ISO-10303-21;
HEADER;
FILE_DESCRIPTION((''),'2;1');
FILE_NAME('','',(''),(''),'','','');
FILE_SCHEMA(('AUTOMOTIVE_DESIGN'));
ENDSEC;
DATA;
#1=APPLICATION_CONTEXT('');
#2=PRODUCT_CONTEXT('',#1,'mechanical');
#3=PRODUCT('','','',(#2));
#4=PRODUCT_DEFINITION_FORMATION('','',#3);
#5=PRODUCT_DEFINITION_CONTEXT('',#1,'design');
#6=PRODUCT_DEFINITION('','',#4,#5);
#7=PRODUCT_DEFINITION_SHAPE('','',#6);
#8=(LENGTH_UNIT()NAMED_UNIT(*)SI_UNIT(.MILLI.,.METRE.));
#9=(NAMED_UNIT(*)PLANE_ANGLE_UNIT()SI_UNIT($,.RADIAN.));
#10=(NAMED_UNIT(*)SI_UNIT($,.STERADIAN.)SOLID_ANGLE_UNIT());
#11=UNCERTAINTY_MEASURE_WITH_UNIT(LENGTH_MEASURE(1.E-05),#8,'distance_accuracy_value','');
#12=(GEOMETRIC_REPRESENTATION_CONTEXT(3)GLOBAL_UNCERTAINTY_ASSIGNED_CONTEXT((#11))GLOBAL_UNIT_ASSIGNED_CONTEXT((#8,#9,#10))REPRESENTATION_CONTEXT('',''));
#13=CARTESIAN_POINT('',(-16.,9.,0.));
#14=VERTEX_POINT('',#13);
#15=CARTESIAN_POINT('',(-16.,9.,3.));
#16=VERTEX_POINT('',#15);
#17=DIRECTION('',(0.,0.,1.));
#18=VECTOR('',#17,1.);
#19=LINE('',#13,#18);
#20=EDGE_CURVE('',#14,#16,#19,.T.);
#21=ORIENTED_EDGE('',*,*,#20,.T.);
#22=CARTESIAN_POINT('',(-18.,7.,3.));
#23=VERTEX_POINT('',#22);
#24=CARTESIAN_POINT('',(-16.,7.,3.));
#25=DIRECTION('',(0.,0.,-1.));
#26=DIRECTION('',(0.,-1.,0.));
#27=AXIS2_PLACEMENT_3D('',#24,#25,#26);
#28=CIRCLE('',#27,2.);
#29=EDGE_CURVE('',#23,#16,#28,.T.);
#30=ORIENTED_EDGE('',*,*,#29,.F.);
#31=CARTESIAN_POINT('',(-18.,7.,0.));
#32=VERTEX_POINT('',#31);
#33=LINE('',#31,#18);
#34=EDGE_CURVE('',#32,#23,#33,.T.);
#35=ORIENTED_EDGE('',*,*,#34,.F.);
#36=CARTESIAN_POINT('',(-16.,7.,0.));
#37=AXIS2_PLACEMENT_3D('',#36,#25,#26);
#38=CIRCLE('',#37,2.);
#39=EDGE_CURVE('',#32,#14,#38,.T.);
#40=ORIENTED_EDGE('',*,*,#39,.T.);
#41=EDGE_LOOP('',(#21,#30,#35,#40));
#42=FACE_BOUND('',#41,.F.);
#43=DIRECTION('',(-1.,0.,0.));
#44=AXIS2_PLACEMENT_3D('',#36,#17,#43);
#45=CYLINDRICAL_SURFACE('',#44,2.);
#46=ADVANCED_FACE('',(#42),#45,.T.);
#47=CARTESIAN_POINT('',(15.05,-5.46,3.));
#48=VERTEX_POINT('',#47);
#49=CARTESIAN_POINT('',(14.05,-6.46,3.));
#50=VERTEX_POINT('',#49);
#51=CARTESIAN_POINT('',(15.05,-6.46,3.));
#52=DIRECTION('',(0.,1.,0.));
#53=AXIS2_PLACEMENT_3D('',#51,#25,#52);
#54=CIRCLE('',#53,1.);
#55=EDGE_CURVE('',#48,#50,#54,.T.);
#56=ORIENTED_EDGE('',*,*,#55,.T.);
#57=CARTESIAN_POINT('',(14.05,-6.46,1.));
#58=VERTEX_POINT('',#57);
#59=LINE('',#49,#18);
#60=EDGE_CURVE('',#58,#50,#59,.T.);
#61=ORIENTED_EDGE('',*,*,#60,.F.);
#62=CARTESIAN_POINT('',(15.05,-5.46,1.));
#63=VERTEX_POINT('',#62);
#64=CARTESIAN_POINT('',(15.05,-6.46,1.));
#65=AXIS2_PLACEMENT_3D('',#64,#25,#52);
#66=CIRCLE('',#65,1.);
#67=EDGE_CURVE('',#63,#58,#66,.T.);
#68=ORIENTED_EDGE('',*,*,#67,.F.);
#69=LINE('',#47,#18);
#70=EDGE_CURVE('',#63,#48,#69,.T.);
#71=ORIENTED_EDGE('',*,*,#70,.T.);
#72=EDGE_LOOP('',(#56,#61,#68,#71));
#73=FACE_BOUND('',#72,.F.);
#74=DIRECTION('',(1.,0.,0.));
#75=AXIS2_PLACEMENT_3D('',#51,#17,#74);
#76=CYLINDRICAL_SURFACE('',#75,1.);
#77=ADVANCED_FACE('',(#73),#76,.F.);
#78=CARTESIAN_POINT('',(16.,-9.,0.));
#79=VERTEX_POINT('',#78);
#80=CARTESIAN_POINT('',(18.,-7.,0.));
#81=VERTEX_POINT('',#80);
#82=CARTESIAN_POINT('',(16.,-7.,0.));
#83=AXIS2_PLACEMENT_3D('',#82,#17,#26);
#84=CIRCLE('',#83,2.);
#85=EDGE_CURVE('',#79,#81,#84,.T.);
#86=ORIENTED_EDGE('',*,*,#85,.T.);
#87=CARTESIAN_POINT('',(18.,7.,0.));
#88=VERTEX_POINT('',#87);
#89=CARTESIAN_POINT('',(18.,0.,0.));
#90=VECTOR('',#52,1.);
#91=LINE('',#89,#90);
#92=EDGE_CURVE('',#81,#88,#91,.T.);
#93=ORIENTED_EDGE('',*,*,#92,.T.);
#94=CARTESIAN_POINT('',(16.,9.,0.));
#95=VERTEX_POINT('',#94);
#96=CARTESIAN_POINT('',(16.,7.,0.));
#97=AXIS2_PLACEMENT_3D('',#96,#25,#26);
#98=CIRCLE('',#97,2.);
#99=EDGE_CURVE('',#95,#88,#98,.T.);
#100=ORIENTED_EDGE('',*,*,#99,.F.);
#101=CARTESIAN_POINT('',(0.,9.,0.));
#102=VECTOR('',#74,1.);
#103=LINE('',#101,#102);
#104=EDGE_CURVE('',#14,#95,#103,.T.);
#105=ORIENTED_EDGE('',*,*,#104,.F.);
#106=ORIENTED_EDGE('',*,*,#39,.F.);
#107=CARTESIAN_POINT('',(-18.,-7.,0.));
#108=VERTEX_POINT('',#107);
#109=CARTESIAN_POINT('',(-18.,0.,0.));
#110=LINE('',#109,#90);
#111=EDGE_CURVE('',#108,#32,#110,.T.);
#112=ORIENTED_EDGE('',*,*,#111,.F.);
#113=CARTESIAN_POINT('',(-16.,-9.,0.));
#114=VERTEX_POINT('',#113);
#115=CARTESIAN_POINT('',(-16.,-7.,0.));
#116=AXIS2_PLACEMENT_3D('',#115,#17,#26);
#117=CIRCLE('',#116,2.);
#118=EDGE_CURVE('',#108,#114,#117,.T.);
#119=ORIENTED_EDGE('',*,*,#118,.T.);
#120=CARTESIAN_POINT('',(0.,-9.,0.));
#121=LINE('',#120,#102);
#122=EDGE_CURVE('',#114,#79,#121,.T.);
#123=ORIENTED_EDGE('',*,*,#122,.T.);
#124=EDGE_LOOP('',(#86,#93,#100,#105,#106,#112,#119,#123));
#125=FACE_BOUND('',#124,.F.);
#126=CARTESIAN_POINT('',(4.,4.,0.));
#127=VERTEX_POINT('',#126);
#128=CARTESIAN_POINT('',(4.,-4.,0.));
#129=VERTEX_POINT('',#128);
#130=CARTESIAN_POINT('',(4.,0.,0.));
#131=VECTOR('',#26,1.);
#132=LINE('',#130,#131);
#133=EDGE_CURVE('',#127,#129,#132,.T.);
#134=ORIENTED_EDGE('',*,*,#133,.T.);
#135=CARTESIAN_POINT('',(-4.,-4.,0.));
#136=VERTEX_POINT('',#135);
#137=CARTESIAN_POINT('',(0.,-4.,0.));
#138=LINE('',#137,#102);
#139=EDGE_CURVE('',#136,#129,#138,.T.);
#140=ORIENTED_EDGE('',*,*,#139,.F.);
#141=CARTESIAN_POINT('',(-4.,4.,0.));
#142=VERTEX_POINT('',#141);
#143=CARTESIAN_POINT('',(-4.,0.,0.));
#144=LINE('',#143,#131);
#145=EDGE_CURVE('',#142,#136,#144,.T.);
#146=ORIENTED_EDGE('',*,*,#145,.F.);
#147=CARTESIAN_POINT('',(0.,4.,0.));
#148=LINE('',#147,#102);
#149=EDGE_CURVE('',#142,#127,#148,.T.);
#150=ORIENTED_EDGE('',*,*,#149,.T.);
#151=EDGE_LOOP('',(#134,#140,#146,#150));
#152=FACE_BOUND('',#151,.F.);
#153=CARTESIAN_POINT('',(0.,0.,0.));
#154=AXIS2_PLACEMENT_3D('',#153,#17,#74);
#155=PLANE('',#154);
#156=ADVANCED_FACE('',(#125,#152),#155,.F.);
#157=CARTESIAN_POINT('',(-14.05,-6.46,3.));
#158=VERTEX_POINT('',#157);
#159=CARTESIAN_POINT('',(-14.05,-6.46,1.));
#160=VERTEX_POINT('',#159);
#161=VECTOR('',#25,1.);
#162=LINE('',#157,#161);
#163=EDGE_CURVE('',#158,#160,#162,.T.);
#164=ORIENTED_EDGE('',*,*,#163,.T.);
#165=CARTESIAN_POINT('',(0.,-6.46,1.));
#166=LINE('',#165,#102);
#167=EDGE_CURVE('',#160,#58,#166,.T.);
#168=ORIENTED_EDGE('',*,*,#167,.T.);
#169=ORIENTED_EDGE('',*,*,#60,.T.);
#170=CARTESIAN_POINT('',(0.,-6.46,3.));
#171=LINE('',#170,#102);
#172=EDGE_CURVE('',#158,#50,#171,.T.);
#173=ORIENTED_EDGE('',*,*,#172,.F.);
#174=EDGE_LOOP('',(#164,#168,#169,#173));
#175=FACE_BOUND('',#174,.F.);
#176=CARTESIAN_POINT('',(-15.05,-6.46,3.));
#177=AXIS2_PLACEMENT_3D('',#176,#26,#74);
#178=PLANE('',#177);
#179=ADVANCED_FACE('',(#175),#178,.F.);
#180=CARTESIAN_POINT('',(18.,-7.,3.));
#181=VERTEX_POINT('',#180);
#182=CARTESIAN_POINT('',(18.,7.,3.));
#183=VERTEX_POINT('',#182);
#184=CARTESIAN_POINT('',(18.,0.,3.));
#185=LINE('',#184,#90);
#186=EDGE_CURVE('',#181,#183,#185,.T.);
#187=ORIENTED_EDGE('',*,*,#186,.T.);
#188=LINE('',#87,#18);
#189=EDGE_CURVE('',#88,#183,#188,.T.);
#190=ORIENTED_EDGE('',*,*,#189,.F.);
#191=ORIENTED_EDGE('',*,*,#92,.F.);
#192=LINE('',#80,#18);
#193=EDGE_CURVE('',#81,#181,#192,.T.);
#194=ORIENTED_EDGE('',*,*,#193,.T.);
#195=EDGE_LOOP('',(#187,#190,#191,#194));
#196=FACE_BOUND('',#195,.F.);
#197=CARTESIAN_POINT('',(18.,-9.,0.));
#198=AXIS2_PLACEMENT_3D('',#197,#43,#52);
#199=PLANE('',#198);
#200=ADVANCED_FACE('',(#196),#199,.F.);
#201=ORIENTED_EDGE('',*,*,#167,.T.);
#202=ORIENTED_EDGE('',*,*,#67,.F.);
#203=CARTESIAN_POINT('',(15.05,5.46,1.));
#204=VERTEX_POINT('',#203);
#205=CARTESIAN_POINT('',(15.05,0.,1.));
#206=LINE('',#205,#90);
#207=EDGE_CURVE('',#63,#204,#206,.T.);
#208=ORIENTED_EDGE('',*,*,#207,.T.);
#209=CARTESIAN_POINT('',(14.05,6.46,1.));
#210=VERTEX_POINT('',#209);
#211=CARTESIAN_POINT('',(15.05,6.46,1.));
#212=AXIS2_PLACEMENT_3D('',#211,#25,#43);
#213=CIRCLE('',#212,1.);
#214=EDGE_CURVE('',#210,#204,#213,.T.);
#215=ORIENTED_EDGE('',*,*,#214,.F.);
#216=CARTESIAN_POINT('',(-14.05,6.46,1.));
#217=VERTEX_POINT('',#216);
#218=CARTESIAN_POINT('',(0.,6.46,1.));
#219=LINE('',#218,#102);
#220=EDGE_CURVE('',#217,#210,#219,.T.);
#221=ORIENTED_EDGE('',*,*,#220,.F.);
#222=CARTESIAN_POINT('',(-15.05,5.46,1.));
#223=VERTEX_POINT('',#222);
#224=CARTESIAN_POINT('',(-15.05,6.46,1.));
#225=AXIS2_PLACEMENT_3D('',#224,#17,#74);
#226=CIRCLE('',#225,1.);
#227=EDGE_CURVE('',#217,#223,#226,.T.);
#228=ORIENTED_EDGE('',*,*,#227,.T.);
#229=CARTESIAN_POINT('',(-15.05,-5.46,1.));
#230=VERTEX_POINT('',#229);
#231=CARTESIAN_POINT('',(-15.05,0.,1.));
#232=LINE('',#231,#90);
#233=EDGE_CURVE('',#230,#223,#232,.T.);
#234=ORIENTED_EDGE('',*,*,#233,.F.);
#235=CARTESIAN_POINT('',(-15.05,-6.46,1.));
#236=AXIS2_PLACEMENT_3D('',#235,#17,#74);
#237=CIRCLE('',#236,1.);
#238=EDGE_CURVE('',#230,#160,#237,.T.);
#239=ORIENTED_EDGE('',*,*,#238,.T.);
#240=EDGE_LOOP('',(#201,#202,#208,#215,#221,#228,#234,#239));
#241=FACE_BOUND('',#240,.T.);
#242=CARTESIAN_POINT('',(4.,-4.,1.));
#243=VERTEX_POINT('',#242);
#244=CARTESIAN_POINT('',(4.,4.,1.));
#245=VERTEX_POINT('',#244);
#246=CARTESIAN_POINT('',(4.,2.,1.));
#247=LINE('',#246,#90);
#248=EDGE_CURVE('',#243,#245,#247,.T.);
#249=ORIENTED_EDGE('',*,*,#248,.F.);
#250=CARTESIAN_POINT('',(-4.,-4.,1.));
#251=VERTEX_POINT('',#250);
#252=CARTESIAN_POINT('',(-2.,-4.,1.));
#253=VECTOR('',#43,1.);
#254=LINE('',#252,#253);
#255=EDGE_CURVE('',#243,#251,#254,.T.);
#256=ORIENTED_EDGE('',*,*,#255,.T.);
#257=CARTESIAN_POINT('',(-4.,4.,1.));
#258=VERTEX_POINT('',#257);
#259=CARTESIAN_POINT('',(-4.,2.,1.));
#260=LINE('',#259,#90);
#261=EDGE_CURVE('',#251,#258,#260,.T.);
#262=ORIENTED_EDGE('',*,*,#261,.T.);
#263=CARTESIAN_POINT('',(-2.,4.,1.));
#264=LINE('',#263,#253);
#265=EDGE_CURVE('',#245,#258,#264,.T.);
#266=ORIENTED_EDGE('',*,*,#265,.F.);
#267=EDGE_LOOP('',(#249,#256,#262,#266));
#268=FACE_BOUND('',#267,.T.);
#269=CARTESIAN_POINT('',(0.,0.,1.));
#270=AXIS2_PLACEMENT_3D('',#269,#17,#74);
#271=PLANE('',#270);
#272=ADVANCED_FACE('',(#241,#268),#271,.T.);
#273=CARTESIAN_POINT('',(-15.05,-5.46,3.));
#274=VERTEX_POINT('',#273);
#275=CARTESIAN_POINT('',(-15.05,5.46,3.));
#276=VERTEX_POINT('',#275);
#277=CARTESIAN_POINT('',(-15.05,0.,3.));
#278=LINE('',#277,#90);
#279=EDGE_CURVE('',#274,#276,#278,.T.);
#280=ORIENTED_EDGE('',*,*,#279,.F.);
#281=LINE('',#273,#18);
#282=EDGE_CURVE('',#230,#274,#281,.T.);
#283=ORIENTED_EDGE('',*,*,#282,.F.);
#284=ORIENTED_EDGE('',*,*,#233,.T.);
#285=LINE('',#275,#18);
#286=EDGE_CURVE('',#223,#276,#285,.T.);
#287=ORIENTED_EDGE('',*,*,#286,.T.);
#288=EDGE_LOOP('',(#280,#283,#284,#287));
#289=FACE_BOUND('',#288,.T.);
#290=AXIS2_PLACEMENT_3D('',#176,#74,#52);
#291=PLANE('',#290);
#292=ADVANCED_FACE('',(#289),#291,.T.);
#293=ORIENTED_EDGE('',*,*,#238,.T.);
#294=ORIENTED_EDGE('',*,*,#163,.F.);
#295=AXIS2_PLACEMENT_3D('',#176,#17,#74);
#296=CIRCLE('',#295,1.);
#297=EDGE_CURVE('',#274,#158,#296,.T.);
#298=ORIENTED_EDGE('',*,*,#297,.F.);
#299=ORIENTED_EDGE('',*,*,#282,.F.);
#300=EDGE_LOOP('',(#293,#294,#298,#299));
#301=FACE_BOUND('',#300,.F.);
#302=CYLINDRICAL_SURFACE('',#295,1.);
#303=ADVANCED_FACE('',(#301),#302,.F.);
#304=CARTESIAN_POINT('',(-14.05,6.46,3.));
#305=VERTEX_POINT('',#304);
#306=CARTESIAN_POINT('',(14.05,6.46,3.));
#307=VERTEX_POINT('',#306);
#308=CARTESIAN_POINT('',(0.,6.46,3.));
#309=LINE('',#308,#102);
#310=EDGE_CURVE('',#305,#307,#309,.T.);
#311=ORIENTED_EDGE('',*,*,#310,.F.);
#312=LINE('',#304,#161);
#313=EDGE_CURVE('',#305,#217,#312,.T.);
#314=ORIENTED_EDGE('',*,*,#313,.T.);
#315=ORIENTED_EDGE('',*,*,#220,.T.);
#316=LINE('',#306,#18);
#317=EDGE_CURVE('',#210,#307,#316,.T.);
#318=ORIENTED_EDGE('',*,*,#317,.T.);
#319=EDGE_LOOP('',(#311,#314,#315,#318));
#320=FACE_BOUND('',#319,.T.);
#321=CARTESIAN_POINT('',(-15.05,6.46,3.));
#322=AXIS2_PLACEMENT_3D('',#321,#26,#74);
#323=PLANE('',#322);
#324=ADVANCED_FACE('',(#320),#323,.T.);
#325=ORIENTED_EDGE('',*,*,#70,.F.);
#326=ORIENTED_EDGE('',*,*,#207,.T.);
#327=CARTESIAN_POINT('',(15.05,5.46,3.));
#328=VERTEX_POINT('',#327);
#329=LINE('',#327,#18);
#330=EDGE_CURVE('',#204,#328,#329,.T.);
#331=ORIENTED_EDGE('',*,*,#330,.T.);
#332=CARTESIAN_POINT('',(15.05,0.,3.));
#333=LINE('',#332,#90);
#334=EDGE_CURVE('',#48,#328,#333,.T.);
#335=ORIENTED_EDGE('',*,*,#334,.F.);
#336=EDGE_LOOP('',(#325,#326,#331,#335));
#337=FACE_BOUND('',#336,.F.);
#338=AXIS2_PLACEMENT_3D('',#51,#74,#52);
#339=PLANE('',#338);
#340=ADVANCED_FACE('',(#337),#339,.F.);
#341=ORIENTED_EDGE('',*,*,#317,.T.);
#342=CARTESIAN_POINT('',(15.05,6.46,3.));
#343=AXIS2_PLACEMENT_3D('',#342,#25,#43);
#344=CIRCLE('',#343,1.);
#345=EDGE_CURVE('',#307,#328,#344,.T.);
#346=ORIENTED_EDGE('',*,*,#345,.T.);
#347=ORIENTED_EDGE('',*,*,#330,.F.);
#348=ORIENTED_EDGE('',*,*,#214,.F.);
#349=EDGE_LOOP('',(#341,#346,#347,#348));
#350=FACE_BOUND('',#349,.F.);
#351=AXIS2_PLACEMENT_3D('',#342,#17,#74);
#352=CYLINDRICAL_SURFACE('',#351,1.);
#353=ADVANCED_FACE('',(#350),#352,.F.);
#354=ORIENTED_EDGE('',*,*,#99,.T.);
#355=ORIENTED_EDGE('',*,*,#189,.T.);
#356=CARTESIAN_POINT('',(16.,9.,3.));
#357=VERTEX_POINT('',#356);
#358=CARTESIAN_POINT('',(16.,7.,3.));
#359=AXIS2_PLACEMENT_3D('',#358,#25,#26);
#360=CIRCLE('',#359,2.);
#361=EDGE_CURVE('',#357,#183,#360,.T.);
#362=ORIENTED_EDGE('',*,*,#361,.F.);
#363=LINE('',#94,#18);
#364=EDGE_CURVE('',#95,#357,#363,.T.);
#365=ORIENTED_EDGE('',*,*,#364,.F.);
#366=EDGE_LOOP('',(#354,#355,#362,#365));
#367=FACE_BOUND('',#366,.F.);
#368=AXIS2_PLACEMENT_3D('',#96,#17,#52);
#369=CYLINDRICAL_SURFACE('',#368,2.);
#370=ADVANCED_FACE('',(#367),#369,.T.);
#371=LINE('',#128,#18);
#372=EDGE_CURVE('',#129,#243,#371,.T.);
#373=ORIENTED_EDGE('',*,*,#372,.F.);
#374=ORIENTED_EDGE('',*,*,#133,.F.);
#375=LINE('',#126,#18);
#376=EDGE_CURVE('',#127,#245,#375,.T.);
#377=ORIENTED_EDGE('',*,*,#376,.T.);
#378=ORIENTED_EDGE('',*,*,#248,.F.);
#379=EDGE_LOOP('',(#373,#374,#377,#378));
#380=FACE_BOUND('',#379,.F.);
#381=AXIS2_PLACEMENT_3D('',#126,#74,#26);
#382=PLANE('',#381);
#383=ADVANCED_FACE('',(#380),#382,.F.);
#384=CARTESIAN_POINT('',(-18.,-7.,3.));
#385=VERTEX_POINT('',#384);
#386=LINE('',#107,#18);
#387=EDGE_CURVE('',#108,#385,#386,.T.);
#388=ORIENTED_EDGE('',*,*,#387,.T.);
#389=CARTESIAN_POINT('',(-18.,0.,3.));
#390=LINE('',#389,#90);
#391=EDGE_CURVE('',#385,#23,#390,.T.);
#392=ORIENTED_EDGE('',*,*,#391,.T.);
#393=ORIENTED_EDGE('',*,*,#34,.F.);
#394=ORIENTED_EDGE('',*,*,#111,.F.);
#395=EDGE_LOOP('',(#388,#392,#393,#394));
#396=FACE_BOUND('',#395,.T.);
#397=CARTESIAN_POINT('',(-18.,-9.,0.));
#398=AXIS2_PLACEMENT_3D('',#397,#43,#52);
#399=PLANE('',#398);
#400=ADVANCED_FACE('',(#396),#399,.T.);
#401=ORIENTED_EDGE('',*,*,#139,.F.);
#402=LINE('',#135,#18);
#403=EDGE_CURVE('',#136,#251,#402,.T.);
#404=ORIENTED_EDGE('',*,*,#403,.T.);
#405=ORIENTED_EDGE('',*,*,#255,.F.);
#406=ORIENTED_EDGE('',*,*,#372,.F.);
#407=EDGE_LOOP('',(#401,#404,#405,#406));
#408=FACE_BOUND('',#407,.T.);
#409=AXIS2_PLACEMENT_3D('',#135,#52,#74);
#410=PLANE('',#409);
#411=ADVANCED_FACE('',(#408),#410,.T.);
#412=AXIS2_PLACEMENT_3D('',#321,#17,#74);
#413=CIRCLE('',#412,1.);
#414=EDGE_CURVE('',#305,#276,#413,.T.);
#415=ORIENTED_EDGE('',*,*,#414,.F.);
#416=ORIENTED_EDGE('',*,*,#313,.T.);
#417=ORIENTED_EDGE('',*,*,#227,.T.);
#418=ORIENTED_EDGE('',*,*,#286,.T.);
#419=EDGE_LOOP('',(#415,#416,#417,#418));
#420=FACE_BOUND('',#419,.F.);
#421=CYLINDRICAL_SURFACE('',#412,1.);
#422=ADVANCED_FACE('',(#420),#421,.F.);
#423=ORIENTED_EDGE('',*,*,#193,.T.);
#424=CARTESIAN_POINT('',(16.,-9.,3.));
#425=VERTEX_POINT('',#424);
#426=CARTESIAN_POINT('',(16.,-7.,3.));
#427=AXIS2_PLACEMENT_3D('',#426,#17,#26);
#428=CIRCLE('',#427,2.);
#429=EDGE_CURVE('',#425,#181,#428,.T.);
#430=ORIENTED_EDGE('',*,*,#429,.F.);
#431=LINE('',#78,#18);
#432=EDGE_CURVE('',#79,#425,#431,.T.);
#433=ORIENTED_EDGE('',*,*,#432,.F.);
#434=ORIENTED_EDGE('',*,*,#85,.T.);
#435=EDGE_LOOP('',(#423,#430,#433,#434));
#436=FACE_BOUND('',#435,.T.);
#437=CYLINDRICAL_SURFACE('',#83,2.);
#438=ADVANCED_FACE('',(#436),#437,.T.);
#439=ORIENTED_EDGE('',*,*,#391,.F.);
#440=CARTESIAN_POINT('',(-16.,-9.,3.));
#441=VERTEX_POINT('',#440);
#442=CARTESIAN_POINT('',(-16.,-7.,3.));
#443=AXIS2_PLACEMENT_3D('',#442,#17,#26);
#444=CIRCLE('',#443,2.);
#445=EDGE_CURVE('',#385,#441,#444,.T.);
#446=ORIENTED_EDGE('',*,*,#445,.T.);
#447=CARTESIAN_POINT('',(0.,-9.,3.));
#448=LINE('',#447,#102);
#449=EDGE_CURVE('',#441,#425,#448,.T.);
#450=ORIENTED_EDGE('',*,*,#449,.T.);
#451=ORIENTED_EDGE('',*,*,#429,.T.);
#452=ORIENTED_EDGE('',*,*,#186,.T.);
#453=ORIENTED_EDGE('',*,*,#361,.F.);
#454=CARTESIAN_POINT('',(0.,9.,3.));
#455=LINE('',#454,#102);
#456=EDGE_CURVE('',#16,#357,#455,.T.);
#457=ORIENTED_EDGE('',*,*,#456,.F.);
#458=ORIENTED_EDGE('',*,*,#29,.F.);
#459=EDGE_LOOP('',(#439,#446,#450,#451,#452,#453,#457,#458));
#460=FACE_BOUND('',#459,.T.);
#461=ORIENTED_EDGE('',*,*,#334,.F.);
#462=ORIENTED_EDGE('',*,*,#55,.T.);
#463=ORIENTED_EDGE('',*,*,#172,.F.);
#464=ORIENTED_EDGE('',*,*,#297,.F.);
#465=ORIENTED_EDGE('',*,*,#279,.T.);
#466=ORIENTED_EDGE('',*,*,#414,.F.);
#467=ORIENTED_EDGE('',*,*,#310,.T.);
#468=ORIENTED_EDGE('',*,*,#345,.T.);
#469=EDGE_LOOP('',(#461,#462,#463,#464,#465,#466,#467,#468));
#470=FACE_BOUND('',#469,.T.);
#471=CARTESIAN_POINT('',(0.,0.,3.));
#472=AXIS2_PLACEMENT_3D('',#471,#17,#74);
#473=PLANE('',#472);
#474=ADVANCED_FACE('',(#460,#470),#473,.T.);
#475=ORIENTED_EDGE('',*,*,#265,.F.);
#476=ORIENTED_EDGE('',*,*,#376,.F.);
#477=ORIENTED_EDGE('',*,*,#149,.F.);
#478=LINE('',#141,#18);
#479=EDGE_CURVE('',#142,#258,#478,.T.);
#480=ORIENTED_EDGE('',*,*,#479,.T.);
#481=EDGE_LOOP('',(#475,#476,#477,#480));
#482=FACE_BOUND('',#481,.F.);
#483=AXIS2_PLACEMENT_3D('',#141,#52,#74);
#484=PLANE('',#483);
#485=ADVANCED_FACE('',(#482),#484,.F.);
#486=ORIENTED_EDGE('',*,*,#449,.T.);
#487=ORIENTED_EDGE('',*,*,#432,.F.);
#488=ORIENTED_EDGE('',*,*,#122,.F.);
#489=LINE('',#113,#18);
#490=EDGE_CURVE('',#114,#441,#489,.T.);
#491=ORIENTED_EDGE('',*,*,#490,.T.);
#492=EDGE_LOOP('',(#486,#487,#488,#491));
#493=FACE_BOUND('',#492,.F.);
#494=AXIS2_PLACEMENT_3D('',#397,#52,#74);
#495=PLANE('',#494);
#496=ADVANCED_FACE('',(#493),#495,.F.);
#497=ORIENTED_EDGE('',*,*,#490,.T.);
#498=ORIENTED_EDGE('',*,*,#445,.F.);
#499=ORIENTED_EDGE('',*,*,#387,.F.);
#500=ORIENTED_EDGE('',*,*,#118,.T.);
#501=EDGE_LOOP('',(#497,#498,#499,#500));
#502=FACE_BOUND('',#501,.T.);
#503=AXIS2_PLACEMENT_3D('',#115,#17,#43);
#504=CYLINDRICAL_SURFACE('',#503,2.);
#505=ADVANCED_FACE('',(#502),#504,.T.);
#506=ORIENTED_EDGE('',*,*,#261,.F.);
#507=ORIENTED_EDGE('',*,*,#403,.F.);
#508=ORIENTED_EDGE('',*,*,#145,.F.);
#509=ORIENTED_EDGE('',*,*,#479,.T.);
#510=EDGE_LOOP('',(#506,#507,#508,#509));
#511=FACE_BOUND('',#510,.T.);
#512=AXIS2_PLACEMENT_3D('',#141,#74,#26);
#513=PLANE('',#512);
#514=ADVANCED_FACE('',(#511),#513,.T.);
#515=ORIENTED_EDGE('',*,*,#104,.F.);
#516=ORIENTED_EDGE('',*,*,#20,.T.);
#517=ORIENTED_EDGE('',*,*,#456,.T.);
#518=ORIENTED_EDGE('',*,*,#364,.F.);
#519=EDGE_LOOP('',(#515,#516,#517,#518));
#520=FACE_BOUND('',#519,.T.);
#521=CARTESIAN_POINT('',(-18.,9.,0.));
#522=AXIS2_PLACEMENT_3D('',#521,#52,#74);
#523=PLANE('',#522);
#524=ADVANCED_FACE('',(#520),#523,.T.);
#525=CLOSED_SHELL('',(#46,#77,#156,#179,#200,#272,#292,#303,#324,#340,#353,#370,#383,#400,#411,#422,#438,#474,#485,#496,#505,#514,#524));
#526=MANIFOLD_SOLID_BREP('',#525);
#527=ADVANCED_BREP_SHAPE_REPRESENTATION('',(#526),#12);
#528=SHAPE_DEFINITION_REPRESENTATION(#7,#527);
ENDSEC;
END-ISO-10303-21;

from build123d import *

# Parameters (mm, degrees)
F0_W     = 36
F0_H     = 18
F1_DEPTH = 3
F2_W     = 30.1
F2_H     = 12.92
F3_DEPTH = 2
F4_W     = 8
F4_H     = 8
F5_DEPTH = 3.001
F6_R     = 2
F7_R     = 1
F8_DEPTH = 2


with BuildPart() as f1:
    # F0 (on Top) → F1 (new body)
    with BuildSketch(Plane.XY):
        Rectangle(F0_W, F0_H)
    extrude(amount=F1_DEPTH)

    # F2 (on face) → F3 (cut)
    with BuildSketch(Plane.XY.offset(3)):
        Rectangle(F2_W, F2_H)
    extrude(amount=-F3_DEPTH, mode=Mode.SUBTRACT)

    # F4 (on face) → F5 (cut, through all)
    with BuildSketch(Plane(origin=(0, 0, 0), x_dir=(1, 0, 0), z_dir=(0, 0, -1))):
        Rectangle(F4_W, F4_H)
    extrude(amount=-F5_DEPTH, mode=Mode.SUBTRACT)

    # F6
    f6_edges = [f1.edges().sort_by_distance(p)[0] for p in [
        (-18, -9, 1.5),
        (-18, 9, 1.5),
        (18, -9, 1.5),
        (18, 9, 1.5),
    ]]
    fillet(f6_edges, radius=F6_R)

    # F7 (on face) → F8 (cut)
    with BuildSketch(Plane.XY.offset(3)):
        with Locations((-15.05, 6.46)):
            Circle(F7_R)
        with Locations((-15.05, -6.46)):
            Circle(F7_R)
        with Locations((15.05, 6.46)):
            Circle(F7_R)
        with Locations((15.05, -6.46)):
            Circle(F7_R)
    extrude(amount=-F8_DEPTH, mode=Mode.SUBTRACT)


solid = f1.part
